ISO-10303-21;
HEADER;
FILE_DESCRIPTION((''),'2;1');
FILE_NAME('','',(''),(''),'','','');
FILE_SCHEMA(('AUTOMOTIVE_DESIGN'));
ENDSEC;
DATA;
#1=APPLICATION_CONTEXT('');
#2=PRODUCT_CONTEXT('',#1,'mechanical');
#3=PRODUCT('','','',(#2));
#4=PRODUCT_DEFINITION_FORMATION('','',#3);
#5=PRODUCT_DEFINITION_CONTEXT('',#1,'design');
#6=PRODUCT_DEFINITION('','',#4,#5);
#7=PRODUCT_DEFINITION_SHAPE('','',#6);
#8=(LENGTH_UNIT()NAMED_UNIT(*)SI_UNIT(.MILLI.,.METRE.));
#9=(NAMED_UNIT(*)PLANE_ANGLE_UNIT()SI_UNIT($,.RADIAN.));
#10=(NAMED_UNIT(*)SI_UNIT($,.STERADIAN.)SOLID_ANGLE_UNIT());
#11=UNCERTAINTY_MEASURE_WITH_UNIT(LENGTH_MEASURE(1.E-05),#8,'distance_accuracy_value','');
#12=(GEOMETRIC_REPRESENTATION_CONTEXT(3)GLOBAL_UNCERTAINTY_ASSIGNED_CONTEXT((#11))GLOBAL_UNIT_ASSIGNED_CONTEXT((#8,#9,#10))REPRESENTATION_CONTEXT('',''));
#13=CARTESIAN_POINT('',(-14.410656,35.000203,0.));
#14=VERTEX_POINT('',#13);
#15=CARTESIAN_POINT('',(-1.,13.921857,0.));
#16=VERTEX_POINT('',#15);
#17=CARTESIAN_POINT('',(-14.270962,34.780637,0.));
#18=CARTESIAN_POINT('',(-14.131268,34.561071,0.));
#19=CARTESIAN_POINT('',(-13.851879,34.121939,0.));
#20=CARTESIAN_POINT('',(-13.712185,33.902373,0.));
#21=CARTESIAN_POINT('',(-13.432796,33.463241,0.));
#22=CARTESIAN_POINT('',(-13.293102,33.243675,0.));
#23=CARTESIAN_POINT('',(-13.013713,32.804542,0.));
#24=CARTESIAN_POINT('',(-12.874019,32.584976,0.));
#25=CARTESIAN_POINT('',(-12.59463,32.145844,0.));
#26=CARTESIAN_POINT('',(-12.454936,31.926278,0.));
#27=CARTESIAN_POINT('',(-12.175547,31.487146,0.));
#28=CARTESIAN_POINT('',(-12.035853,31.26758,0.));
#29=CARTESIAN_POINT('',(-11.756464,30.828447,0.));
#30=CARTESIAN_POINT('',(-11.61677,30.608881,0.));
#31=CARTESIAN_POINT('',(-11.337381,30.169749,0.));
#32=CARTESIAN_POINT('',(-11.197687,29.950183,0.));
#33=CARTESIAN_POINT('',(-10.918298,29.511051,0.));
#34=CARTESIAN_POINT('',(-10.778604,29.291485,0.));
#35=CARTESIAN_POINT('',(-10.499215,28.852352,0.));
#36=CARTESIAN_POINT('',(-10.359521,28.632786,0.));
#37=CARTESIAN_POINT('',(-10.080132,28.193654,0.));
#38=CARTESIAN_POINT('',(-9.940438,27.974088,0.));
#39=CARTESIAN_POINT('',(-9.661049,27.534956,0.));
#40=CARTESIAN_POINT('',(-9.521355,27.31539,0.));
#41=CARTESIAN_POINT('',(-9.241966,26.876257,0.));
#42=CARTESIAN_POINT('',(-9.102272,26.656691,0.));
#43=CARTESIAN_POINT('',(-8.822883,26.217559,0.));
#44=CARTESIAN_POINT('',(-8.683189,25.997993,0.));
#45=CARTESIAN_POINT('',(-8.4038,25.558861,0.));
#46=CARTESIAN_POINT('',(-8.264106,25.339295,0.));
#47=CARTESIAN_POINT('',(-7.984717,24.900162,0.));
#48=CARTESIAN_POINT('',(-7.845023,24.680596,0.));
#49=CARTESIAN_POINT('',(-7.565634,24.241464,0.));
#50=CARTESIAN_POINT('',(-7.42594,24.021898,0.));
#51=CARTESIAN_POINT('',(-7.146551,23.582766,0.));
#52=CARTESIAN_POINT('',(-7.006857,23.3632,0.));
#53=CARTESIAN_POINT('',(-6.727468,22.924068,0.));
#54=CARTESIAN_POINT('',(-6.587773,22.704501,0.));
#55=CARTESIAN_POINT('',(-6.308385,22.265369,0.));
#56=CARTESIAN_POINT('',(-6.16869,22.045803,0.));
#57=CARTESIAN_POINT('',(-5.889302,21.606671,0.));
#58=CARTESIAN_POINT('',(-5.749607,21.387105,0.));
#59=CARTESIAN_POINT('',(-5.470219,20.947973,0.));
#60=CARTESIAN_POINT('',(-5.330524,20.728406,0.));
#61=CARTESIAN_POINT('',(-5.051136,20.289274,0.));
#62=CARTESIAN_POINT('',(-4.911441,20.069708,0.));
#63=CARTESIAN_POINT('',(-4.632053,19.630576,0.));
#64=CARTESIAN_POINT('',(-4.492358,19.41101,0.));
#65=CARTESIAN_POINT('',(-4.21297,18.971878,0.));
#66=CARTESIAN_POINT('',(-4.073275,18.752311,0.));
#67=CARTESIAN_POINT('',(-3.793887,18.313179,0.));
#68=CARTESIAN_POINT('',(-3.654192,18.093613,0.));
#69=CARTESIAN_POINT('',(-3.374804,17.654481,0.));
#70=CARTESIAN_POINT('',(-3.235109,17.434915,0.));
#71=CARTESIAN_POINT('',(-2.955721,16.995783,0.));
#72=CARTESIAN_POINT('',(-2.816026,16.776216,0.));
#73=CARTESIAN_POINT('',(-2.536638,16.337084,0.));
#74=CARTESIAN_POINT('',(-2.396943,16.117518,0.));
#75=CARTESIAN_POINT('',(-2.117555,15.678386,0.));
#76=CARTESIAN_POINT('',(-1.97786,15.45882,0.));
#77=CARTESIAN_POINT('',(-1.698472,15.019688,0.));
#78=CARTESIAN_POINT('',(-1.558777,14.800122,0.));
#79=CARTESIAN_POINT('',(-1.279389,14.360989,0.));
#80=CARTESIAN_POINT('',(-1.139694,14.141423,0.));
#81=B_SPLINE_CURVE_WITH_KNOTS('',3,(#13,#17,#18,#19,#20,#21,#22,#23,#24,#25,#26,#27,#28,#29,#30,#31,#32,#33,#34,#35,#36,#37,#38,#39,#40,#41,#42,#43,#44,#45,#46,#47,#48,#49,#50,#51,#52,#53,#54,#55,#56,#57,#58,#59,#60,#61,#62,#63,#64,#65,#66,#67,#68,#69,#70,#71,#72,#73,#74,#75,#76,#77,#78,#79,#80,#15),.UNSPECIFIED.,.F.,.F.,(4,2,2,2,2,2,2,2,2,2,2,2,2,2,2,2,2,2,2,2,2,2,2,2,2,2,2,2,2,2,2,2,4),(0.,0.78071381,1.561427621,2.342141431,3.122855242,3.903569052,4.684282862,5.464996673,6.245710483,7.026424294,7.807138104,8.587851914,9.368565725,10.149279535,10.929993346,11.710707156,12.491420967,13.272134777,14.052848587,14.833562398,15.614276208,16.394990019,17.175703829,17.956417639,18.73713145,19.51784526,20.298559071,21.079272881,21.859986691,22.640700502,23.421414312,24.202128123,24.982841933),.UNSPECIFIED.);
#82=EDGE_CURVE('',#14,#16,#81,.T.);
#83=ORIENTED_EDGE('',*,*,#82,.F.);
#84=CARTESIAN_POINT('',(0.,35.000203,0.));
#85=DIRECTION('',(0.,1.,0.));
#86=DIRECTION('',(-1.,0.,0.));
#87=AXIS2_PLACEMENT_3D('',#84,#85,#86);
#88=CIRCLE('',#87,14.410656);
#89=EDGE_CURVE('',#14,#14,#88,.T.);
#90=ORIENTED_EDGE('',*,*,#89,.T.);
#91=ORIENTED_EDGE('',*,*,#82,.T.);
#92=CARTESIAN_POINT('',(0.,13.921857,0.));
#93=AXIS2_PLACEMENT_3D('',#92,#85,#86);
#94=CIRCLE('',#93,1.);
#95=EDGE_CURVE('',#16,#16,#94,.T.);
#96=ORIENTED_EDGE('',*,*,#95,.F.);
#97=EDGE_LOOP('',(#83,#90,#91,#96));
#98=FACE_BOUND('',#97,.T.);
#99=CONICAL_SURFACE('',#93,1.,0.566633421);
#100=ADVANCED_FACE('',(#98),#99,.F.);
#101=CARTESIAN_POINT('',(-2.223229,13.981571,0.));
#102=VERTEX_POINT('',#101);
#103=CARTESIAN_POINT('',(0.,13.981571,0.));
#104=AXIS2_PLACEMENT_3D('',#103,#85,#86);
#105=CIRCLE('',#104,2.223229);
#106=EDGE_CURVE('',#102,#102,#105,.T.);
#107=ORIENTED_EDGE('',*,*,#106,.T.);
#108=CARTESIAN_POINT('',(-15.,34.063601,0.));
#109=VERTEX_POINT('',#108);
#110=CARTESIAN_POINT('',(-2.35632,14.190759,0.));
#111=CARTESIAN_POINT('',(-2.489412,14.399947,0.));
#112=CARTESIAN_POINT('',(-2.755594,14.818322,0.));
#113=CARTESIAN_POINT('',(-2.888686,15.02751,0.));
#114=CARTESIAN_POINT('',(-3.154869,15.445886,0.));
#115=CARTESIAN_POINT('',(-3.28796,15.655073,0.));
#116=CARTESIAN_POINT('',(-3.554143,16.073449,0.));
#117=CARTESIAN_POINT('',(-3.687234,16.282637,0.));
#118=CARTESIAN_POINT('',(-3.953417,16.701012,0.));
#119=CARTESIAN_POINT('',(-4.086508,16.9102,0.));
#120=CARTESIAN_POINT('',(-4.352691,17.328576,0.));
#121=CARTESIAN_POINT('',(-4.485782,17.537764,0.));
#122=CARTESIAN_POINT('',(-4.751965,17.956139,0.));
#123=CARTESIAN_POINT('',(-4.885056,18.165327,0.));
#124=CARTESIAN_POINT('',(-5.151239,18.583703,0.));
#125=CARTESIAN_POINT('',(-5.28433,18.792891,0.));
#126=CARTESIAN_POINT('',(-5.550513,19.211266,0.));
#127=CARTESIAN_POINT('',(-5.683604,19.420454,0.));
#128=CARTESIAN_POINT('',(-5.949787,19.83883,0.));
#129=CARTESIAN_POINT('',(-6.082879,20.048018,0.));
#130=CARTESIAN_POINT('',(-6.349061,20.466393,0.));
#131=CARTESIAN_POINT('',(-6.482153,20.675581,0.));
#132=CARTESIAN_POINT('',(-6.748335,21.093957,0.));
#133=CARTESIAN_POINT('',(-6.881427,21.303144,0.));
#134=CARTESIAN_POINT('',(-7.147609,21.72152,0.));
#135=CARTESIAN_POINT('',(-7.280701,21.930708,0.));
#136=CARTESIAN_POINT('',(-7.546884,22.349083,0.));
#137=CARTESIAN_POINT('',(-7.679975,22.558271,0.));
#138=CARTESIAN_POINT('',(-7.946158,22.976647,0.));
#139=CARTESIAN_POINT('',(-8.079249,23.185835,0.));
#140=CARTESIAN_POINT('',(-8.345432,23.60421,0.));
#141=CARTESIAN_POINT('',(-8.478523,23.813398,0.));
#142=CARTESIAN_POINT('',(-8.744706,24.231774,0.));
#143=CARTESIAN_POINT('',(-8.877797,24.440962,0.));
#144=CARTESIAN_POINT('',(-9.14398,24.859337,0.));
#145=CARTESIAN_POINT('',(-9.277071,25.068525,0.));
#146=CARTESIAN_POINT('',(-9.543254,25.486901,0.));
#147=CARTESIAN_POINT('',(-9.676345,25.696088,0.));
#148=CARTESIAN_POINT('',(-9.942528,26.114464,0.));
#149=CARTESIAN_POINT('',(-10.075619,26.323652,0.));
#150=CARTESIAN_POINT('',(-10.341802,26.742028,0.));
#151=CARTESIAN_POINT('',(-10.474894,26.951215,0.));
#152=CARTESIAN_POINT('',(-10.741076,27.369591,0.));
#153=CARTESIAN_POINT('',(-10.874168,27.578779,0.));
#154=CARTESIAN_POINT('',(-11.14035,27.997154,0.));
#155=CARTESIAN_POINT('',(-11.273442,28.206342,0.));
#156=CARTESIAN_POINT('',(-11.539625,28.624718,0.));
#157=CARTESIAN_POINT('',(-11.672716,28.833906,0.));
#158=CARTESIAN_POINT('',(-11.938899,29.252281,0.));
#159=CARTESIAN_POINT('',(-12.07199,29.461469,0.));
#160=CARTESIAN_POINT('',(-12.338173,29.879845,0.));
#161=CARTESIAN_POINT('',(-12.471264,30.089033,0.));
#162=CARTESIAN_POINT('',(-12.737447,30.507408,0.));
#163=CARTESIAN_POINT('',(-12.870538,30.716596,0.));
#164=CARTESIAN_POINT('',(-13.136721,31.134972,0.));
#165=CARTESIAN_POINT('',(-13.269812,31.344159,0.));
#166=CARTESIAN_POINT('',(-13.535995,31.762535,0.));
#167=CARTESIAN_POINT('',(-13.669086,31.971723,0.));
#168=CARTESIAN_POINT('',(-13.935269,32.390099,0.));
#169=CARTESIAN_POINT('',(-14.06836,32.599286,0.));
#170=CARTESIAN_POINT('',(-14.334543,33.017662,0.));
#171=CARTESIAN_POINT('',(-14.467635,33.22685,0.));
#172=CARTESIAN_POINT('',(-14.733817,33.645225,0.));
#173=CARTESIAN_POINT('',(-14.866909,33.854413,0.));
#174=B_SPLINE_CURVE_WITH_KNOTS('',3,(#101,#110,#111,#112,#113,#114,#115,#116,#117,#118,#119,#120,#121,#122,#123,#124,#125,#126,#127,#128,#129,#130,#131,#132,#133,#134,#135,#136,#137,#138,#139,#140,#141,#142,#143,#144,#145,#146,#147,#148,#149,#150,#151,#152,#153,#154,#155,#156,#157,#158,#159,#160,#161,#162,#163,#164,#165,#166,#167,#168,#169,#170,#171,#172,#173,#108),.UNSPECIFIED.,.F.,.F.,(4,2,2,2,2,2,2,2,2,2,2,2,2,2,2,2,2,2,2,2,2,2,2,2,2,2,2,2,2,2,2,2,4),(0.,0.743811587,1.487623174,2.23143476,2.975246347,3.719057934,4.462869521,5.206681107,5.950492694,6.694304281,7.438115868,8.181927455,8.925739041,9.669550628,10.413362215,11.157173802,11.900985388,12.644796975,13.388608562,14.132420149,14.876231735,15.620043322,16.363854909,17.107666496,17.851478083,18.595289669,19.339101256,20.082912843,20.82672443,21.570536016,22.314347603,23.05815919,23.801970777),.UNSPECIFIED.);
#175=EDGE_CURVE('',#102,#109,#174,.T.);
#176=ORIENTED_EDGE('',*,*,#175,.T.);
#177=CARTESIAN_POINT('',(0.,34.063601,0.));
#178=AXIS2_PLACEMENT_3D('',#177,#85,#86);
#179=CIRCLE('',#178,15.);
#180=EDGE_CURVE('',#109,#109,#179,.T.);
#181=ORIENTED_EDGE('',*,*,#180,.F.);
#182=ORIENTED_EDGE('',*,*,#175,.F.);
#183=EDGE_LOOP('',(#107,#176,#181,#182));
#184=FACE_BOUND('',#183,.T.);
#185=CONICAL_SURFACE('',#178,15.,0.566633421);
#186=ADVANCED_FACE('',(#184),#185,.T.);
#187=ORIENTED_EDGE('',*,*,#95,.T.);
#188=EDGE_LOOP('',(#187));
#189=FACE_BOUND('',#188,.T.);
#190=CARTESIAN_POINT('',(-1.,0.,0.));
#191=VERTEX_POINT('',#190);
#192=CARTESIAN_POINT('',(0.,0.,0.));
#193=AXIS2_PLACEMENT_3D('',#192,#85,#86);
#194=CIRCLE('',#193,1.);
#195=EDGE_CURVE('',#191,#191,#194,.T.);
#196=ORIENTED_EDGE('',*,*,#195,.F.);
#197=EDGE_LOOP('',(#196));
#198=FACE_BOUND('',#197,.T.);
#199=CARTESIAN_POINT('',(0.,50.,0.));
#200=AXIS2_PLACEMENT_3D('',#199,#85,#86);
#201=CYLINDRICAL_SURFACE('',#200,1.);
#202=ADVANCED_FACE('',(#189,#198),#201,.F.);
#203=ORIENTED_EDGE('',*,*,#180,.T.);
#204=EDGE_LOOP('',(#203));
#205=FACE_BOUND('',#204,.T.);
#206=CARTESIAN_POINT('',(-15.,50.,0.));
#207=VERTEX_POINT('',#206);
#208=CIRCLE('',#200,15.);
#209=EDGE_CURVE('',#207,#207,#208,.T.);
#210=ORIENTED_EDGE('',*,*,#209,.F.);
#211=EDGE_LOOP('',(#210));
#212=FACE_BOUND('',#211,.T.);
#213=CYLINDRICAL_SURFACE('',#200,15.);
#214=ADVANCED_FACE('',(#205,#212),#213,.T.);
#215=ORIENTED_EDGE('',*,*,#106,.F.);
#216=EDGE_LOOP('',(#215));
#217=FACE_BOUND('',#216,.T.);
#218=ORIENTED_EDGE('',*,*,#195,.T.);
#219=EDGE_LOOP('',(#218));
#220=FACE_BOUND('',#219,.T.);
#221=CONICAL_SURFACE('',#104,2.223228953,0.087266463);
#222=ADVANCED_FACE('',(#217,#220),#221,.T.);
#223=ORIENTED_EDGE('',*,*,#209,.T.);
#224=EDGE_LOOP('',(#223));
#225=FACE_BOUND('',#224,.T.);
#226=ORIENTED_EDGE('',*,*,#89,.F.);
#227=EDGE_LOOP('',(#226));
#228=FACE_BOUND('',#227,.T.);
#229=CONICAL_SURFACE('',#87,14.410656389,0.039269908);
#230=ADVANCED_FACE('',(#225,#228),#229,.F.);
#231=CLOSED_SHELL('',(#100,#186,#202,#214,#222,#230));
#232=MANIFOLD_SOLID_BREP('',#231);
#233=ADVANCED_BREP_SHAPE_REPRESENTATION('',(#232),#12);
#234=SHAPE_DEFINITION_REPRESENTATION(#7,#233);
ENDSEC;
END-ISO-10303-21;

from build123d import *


with BuildPart() as part:
    # Sketch2 → Revolve3 (revolve)
    with BuildSketch(Plane.XY):
        Polygon((-15, 50), (-15, 34.063601054), (-2.223228953, 13.981570915), (-1, 0), (-1, 13.921857085), (-14.410656389, 35.000203469), align=None)
    revolve(axis=Axis((0, 50, 0), (0, -1, 0)))


solid = part.part
